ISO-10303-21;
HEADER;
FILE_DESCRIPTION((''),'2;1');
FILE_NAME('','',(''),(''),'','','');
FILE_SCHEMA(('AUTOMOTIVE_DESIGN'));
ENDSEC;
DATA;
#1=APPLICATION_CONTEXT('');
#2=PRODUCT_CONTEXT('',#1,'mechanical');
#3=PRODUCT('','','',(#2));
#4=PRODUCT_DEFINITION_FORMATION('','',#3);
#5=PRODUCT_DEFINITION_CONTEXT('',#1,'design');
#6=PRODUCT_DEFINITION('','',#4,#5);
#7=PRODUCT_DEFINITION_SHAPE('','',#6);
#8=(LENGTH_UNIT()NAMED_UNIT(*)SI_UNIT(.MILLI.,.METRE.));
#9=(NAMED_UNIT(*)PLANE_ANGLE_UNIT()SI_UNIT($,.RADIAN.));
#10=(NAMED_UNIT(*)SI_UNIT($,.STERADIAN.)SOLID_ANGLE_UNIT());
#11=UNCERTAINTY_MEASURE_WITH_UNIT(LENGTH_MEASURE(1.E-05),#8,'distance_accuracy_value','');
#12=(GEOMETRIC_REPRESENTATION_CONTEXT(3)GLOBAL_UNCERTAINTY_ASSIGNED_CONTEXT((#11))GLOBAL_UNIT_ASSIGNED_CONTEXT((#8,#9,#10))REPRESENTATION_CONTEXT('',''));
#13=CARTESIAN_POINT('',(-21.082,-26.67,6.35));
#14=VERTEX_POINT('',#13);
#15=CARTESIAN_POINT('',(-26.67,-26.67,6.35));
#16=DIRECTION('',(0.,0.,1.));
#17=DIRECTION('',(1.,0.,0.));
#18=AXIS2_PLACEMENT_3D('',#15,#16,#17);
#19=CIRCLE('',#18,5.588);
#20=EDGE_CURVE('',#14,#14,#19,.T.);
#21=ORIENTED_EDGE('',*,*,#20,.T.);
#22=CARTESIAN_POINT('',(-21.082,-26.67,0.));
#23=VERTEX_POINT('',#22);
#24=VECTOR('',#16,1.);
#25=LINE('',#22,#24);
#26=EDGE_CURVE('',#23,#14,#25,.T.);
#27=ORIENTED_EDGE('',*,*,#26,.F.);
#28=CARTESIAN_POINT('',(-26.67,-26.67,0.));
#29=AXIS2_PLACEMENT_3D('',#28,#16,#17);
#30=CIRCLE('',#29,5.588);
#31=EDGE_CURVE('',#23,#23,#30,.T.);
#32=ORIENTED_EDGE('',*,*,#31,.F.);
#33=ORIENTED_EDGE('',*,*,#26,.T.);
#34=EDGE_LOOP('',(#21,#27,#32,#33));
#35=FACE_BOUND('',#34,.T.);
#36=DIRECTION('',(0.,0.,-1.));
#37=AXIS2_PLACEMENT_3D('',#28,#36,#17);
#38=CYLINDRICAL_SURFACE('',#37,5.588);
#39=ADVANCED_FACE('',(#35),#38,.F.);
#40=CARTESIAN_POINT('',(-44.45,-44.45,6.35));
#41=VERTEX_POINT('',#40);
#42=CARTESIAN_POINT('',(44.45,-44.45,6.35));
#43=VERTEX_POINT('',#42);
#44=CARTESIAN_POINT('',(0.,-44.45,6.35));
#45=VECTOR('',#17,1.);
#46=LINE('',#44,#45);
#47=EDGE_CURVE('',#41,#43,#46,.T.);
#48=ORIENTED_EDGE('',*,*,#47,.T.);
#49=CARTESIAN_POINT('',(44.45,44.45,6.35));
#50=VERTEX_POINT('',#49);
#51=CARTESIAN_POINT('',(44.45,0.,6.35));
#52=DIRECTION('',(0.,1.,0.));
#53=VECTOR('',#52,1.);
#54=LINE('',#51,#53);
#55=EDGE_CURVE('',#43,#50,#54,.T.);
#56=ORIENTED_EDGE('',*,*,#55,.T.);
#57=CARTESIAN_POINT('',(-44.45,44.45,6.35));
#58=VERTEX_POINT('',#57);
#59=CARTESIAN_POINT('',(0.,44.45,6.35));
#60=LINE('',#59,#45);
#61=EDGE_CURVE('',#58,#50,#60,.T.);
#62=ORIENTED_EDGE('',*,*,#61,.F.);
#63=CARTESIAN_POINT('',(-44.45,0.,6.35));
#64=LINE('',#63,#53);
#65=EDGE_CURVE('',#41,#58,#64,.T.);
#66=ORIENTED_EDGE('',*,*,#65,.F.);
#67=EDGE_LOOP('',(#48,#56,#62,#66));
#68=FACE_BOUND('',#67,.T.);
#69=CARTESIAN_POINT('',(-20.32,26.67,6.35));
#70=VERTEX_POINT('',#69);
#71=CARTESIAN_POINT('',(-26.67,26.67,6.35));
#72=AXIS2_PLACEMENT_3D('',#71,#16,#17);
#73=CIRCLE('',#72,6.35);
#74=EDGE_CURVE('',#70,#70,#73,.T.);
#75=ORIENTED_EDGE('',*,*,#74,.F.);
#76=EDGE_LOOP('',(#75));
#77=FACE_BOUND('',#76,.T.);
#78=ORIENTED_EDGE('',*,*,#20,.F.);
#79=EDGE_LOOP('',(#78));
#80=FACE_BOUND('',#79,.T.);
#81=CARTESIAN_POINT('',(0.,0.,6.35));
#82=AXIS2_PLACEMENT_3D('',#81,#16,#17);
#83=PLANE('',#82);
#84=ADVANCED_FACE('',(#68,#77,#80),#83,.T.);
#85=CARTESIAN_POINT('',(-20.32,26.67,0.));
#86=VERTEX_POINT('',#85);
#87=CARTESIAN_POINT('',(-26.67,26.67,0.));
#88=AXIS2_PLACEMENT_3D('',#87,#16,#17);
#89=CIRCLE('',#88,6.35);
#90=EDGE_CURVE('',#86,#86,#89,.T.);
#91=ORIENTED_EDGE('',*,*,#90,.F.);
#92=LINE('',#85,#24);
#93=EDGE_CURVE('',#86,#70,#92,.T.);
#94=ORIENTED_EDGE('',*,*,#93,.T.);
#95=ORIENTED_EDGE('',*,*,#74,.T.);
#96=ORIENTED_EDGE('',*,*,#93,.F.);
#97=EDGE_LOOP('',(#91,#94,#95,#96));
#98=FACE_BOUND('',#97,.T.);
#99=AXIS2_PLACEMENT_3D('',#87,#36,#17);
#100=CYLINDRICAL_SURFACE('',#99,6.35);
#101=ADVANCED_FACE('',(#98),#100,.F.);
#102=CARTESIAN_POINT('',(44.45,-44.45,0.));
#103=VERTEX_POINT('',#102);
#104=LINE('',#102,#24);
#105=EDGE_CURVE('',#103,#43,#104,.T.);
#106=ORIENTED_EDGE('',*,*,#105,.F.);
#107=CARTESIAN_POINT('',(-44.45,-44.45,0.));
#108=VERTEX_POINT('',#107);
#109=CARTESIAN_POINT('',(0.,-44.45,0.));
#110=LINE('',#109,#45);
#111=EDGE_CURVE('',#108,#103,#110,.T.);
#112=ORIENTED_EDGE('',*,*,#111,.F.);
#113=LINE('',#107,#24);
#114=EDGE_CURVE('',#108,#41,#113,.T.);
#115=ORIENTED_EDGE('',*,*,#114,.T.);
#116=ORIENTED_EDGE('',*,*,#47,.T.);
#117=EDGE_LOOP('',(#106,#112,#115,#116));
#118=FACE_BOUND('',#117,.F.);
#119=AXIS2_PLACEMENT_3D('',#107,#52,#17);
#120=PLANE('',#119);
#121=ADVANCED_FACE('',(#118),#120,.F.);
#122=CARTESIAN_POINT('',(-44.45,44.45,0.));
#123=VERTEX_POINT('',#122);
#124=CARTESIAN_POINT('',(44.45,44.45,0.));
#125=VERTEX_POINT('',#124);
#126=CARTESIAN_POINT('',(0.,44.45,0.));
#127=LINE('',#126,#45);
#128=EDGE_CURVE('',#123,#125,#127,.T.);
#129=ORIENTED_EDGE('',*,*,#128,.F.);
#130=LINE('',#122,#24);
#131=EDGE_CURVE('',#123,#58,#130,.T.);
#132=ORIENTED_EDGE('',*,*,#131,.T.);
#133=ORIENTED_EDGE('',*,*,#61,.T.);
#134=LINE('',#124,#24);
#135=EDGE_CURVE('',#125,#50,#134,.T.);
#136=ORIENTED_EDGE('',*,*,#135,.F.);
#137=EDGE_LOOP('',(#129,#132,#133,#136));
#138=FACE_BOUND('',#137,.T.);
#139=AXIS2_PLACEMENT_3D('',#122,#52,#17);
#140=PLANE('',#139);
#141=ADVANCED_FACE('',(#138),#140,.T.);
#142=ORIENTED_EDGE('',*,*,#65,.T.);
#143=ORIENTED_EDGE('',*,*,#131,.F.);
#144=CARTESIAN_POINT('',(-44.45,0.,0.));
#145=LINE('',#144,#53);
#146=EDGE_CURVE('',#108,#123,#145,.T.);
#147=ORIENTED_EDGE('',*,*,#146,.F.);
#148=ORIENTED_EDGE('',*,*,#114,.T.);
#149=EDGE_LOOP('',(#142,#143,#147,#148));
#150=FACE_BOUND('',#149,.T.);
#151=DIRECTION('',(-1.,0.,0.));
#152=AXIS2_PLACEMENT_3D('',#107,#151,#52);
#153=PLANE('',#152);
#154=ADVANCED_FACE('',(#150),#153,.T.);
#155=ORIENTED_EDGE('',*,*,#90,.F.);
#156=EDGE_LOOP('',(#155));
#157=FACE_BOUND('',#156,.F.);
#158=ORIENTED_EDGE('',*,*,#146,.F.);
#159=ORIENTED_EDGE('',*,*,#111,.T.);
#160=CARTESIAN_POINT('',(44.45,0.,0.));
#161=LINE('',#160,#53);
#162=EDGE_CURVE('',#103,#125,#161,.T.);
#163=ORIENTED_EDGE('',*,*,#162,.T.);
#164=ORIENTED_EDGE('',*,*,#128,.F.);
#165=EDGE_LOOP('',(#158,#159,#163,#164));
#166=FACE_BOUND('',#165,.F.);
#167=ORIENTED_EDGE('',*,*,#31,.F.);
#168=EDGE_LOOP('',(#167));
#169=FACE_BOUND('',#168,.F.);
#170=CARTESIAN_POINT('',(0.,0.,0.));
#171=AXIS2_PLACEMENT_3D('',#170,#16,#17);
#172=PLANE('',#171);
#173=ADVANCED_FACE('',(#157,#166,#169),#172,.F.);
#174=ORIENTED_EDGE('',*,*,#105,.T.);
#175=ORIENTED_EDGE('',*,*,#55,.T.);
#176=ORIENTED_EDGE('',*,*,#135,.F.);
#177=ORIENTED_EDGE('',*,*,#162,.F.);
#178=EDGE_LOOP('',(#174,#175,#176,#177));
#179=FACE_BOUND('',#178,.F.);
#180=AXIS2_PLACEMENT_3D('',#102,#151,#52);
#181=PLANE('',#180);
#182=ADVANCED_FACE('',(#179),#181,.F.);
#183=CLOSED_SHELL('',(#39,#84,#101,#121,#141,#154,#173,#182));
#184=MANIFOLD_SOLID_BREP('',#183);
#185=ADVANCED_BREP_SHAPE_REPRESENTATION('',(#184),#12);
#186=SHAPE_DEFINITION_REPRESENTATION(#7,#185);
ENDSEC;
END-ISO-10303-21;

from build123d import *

# Parameters (mm, degrees)
F0_W     = 88.9
F0_H     = 88.9
F0_R     = 5.588
F0_R_2   = 6.35
F1_DEPTH = 6.35


with BuildPart() as f1:
    # F0 (on Top) → F1 (new body)
    with BuildSketch(Plane.XY):
        Rectangle(F0_W, F0_H)
        with Locations((-26.67, -26.67)):
            Circle(F0_R, mode=Mode.SUBTRACT)
        with Locations((-26.67, 26.67)):
            Circle(F0_R_2, mode=Mode.SUBTRACT)
    extrude(amount=F1_DEPTH)


solid = f1.part
